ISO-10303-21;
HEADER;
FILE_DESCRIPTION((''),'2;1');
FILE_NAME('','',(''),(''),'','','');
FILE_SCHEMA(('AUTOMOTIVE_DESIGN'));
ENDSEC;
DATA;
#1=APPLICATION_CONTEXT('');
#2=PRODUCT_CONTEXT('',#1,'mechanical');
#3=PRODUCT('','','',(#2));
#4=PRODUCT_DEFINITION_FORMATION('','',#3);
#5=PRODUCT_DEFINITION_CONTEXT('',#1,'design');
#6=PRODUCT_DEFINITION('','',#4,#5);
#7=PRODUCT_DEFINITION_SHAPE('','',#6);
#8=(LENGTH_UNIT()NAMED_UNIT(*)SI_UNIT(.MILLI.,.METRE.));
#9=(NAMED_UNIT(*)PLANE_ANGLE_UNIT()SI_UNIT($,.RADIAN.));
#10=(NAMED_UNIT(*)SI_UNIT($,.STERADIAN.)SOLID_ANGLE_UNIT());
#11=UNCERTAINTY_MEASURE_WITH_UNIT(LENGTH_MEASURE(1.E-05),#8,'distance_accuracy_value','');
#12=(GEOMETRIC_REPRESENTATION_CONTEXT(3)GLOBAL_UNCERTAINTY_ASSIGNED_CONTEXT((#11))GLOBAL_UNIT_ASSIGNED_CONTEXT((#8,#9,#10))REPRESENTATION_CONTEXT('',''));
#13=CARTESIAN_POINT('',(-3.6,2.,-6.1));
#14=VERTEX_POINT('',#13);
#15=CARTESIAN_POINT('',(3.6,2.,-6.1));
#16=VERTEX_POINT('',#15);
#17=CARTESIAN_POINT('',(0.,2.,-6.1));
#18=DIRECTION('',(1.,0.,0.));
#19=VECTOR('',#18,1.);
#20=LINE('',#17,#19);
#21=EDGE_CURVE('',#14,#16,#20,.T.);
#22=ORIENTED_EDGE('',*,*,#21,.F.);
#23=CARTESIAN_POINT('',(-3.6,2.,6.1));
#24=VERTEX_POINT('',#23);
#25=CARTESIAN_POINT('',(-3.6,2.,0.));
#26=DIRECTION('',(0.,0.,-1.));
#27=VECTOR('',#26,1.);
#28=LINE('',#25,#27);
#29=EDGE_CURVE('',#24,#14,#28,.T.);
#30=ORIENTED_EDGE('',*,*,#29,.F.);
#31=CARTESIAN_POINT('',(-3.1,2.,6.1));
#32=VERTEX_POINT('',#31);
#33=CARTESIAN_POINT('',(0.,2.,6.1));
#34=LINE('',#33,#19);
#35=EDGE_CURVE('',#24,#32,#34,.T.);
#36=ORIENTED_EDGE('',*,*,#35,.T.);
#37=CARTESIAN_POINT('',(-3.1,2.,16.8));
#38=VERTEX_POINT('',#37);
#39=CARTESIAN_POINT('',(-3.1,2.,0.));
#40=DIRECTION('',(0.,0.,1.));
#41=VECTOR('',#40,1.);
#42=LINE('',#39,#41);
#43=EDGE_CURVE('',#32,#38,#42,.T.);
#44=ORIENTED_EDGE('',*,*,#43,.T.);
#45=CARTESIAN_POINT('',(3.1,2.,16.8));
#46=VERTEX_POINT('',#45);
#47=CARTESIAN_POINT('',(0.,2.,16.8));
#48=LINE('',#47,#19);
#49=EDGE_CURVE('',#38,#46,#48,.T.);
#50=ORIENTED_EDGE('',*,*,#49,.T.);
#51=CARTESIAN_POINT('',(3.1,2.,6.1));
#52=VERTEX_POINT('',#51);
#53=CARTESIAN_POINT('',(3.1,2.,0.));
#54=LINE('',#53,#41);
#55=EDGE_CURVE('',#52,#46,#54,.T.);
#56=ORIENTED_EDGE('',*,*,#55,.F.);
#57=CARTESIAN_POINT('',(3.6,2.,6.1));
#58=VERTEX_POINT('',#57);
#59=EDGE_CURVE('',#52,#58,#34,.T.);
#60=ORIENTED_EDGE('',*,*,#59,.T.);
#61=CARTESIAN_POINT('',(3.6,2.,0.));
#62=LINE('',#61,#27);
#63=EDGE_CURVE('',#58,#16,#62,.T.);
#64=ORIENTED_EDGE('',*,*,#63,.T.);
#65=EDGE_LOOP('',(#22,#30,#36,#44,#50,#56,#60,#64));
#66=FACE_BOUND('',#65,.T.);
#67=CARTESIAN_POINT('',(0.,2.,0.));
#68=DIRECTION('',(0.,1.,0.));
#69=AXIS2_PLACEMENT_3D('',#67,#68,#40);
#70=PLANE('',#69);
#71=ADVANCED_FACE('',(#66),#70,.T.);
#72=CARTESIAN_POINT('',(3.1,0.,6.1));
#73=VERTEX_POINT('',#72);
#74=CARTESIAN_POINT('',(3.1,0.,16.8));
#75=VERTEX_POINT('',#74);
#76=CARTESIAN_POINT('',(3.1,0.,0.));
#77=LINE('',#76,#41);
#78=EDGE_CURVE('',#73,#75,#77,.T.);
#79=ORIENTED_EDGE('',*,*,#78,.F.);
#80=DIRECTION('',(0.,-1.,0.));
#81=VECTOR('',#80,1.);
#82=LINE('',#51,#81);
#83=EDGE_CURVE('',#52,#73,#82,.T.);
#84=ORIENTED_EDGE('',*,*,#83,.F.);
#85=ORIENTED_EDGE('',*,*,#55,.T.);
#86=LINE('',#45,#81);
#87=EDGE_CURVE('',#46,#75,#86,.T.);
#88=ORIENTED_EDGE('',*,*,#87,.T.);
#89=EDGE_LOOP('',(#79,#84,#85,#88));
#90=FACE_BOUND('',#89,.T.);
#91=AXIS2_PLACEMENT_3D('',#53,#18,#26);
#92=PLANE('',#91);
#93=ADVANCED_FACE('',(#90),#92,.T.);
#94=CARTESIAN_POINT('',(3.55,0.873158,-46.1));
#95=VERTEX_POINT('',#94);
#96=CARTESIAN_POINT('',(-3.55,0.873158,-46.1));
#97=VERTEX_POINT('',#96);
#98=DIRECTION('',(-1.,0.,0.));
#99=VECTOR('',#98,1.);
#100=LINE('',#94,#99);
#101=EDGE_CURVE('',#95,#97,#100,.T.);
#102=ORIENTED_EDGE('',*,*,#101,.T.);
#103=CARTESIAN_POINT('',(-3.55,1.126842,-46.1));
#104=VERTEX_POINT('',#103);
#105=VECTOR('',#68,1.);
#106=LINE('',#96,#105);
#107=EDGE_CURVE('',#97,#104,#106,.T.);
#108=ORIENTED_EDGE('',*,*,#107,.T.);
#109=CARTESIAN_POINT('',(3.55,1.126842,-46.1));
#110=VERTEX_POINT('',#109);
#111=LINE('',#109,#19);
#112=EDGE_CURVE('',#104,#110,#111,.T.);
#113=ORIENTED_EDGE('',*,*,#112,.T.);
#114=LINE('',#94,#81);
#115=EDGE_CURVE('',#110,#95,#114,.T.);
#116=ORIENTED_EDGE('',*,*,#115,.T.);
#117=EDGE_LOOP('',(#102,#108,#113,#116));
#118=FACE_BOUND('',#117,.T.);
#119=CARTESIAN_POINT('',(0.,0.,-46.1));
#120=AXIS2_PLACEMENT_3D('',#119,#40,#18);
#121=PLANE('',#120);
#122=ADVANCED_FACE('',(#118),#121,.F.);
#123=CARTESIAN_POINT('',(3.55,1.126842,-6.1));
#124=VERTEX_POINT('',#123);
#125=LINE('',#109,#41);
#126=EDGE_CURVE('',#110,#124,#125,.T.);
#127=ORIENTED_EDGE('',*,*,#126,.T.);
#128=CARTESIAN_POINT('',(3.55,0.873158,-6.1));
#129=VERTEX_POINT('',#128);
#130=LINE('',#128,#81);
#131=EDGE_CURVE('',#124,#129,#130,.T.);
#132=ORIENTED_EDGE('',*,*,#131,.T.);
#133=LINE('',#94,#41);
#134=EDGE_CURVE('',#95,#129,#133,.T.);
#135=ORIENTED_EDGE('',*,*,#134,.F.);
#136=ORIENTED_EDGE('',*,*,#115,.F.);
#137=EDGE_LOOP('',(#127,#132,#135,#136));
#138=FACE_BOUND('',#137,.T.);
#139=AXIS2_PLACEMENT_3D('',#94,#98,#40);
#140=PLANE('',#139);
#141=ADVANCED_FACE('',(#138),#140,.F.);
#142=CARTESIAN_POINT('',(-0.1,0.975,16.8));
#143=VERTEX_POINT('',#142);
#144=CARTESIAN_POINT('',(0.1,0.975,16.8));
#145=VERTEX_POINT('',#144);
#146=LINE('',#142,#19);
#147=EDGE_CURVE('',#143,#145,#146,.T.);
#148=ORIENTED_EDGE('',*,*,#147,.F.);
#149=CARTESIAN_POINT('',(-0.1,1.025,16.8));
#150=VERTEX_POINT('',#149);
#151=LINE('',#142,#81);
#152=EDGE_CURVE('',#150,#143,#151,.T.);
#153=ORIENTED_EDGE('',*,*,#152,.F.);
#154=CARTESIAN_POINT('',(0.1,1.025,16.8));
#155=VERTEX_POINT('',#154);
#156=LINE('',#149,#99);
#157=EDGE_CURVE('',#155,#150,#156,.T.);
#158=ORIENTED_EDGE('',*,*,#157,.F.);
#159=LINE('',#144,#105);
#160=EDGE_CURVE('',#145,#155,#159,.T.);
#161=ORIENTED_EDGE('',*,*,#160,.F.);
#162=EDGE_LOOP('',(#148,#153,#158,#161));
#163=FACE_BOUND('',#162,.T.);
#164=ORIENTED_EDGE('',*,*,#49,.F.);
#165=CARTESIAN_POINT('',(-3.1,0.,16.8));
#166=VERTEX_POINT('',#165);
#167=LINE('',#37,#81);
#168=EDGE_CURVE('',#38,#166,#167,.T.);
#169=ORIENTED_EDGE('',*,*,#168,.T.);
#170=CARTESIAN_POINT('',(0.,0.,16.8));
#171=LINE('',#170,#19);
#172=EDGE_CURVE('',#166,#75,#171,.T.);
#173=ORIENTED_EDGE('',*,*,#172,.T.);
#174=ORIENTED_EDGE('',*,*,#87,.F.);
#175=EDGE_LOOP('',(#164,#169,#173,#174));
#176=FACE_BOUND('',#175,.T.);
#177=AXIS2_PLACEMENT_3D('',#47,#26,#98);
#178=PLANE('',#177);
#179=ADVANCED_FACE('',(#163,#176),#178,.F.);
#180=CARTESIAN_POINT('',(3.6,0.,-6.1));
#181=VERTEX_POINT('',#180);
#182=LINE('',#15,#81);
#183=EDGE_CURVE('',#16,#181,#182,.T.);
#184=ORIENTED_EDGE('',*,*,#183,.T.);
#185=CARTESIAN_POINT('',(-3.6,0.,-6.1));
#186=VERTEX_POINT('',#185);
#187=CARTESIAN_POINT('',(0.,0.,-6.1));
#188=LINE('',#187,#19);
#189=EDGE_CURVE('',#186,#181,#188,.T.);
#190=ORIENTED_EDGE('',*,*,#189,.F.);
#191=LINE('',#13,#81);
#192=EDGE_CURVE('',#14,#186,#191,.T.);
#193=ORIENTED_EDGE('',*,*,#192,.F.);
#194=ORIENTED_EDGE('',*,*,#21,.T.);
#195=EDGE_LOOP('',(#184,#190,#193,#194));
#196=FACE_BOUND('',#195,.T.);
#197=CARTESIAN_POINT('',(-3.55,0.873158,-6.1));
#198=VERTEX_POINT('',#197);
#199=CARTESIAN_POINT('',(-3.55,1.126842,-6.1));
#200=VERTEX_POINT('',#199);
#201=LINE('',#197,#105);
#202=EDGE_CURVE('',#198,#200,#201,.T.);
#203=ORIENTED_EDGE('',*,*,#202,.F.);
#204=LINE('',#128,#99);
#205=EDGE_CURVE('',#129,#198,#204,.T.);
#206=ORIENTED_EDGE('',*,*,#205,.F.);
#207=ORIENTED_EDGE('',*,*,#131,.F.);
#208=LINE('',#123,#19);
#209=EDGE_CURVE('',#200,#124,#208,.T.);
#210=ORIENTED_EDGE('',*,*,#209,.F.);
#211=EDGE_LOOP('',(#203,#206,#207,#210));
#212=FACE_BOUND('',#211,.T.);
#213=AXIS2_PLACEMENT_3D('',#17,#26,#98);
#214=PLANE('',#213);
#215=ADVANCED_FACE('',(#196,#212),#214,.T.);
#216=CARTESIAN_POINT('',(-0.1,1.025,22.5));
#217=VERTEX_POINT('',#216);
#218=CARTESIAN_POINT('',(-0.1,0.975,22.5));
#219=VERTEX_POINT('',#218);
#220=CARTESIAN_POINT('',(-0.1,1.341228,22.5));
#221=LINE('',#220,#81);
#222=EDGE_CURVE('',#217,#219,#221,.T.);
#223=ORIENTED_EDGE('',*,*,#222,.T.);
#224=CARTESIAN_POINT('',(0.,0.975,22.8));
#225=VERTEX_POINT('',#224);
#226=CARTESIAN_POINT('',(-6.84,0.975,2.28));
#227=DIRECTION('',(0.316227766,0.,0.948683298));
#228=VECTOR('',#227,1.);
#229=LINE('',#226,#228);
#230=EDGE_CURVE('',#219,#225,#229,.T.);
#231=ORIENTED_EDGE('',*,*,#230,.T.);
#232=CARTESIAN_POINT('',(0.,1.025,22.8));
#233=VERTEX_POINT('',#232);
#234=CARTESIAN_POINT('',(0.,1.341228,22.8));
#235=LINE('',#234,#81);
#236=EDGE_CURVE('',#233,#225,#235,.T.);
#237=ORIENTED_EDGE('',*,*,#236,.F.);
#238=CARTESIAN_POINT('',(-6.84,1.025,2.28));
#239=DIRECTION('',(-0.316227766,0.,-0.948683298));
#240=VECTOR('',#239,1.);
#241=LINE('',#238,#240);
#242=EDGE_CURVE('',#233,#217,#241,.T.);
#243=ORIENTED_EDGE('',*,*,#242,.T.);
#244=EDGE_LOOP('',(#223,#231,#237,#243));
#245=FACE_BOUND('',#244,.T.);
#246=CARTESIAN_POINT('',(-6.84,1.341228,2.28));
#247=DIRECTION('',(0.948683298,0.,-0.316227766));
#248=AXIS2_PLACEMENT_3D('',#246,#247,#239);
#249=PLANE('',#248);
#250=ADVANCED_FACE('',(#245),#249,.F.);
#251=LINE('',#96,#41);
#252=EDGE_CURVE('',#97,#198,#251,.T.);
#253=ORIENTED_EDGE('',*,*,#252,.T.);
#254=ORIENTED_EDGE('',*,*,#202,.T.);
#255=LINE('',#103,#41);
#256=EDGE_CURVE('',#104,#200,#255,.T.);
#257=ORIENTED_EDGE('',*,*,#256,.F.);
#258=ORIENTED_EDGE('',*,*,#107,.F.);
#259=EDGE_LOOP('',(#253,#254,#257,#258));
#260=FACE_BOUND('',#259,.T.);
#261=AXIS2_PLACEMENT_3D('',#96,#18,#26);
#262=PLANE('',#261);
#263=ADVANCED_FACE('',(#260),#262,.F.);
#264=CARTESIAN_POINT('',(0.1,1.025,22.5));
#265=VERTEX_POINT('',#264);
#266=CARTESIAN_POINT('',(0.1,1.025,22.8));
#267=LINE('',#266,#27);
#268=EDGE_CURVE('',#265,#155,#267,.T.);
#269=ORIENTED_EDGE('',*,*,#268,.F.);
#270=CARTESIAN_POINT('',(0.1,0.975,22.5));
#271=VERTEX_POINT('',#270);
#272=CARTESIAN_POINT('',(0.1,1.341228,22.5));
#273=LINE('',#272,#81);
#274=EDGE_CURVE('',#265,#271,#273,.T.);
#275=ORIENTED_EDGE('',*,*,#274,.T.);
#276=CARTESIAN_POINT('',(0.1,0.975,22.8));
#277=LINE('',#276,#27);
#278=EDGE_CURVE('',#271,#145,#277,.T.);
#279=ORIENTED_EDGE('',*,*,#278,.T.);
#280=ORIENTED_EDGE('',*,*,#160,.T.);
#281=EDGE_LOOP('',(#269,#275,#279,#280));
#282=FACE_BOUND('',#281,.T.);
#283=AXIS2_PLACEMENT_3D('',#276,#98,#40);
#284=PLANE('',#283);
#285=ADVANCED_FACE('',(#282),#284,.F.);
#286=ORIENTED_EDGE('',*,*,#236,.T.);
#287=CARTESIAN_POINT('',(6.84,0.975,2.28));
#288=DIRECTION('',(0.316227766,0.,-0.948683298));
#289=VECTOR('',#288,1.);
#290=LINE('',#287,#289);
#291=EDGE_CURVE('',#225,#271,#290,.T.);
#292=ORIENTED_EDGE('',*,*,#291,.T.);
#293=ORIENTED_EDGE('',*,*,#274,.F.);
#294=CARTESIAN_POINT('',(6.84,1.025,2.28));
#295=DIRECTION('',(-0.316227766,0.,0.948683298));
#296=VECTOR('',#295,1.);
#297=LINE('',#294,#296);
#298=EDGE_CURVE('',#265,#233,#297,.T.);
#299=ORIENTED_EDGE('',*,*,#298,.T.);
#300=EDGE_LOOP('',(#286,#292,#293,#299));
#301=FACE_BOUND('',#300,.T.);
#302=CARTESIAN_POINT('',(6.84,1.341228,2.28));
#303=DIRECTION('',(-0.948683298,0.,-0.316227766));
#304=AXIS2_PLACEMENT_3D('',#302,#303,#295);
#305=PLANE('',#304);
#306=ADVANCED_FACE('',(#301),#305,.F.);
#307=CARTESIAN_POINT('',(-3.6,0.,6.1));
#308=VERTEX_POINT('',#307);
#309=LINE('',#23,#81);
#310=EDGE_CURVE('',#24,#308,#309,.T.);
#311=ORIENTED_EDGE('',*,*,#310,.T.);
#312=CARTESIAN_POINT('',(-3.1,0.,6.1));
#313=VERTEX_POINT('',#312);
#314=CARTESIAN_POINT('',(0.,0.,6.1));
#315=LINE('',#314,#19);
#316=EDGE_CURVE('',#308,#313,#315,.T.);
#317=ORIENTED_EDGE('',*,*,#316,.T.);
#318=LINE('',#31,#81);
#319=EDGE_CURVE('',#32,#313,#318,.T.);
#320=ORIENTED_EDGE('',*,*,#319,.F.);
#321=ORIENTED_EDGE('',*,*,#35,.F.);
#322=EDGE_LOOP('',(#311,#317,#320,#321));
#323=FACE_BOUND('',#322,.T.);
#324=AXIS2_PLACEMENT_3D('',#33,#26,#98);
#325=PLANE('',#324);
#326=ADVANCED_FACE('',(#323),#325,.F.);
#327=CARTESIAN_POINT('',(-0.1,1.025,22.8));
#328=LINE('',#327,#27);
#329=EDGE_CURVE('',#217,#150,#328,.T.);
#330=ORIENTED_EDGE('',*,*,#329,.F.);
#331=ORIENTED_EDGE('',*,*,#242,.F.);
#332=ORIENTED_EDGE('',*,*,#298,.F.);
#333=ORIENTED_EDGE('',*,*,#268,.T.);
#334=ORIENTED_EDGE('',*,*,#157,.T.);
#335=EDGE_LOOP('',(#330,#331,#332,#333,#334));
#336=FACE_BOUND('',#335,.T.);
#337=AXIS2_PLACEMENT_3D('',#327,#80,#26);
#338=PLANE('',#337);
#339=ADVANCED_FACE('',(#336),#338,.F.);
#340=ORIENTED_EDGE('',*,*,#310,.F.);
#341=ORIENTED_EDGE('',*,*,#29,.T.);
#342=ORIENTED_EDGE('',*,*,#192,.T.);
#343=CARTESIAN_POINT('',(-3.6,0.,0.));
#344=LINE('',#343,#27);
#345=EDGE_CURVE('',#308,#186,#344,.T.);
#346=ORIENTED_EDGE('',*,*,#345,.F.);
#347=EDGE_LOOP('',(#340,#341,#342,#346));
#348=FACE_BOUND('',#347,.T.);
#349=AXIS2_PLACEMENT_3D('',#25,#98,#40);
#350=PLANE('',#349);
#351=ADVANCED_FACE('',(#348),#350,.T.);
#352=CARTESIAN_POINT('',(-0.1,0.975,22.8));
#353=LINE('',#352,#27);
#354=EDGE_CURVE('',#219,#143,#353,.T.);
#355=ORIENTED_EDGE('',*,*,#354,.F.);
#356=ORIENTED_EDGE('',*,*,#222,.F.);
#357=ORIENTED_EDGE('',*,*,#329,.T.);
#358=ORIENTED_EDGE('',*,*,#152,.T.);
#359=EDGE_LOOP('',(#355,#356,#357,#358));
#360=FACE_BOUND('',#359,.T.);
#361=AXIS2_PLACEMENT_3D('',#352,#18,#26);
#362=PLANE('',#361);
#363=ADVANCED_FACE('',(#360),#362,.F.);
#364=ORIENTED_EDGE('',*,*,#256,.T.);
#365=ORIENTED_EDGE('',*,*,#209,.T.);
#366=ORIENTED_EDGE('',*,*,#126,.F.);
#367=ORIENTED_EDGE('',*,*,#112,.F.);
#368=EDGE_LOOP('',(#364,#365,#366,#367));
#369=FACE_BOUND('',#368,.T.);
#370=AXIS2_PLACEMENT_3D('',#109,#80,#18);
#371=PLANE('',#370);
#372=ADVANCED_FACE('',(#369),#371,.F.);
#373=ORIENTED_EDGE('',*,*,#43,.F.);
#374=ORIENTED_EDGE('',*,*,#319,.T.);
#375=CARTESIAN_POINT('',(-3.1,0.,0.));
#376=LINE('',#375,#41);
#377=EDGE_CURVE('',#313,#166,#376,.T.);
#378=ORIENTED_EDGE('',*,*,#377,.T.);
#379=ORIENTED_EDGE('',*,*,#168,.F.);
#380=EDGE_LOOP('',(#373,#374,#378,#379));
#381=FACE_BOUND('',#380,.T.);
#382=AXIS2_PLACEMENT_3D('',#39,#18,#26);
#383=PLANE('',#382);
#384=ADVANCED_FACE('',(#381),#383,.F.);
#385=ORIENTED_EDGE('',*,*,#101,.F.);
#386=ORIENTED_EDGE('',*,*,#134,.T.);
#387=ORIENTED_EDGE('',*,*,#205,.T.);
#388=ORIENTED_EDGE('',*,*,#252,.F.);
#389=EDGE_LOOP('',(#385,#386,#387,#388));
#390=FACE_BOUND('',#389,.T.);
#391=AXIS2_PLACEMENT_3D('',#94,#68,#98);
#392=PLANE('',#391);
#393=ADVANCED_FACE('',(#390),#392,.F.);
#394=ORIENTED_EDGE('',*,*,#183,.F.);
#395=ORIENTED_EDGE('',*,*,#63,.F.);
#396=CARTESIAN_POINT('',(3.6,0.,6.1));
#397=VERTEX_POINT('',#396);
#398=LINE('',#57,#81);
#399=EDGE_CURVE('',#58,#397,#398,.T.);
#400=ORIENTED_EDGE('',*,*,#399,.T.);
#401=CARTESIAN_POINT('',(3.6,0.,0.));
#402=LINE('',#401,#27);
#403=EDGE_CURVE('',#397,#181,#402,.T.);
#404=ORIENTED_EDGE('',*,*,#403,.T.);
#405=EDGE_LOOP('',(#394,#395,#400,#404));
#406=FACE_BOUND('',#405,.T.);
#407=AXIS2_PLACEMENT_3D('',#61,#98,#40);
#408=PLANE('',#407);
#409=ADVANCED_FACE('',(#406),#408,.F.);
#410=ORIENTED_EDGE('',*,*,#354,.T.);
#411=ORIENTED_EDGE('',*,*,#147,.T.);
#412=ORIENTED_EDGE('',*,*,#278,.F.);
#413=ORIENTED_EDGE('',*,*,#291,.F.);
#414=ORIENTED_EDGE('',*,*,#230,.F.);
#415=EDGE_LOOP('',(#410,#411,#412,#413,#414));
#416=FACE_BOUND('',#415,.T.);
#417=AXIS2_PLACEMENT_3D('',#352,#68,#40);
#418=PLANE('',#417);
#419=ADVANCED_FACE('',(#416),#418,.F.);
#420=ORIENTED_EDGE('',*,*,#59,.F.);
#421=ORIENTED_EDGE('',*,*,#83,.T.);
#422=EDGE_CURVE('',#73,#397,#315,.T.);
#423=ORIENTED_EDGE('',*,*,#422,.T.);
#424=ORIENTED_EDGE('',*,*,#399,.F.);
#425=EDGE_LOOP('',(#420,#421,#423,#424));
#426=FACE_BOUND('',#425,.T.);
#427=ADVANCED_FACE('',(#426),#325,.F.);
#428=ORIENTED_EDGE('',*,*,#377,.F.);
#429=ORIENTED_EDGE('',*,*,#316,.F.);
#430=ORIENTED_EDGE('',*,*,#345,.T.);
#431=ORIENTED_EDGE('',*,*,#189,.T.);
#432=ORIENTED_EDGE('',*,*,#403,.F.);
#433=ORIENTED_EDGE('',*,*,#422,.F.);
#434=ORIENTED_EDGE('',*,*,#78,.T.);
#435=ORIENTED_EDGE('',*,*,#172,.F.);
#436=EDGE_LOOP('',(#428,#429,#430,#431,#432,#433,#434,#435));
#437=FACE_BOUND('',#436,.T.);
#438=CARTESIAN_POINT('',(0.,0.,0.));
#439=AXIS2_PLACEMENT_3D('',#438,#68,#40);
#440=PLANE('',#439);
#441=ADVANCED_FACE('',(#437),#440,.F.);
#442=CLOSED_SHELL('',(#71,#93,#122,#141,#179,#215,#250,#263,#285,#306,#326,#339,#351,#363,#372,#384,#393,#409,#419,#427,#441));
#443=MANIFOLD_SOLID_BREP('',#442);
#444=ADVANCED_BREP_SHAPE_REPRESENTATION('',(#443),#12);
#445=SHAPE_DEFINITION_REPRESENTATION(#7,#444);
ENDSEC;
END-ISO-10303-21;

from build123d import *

# Parameters (mm, degrees)
SKETCH1_W           = 6.2
SKETCH1_H           = 10.7
BOSS_EXTRUDE1_DEPTH = 2
SKETCH2_W           = 7.1
SKETCH2_H           = 0.25368462
BOSS_EXTRUDE2_DEPTH = 40
SKETCH3_W           = 0.2
SKETCH3_H           = 0.05
BOSS_EXTRUDE3_DEPTH = 6
CUT_EXTRUDE1_DEPTH  = 0.05


with BuildPart() as part:
    # Sketch1 → Boss-Extrude1 (new body)
    with BuildSketch(Plane(origin=(0, 0, 0), x_dir=(1, 0, 0), z_dir=(0, 1, 0))):
        Polygon((-3.6, -6.1), (-3.1, -6.1), (3.1, -6.1), (3.6, -6.1), (3.6, 6.1), (-3.6, 6.1), align=None)
        with Locations((0, -11.45)):
            Rectangle(SKETCH1_W, SKETCH1_H)
    extrude(amount=BOSS_EXTRUDE1_DEPTH)

    # Sketch2 → Boss-Extrude2 (add)
    with BuildSketch(Plane(origin=(0, 0, -6.1), x_dir=(-1, 0, 0), z_dir=(0, 0, -1))):
        with Locations((0, 1)):
            Rectangle(SKETCH2_W, SKETCH2_H)
    extrude(amount=BOSS_EXTRUDE2_DEPTH)

    # Sketch3 → Boss-Extrude3 (add)
    with BuildSketch(Plane.XY.offset(16.8)):
        with Locations((0, 1)):
            Rectangle(SKETCH3_W, SKETCH3_H)
    extrude(amount=BOSS_EXTRUDE3_DEPTH)

    # Sketch4 → Cut-Extrude1 (cut)
    with BuildSketch(Plane.XZ.offset(-0.975)):
        Polygon((0.1, 22.8), (0, 22.8), (0.1, 22.5), align=None)
        Polygon((-0.1, 22.8), (-0.1, 22.5), (0, 22.8), align=None)
    extrude(amount=-CUT_EXTRUDE1_DEPTH, mode=Mode.SUBTRACT)


solid = part.part
